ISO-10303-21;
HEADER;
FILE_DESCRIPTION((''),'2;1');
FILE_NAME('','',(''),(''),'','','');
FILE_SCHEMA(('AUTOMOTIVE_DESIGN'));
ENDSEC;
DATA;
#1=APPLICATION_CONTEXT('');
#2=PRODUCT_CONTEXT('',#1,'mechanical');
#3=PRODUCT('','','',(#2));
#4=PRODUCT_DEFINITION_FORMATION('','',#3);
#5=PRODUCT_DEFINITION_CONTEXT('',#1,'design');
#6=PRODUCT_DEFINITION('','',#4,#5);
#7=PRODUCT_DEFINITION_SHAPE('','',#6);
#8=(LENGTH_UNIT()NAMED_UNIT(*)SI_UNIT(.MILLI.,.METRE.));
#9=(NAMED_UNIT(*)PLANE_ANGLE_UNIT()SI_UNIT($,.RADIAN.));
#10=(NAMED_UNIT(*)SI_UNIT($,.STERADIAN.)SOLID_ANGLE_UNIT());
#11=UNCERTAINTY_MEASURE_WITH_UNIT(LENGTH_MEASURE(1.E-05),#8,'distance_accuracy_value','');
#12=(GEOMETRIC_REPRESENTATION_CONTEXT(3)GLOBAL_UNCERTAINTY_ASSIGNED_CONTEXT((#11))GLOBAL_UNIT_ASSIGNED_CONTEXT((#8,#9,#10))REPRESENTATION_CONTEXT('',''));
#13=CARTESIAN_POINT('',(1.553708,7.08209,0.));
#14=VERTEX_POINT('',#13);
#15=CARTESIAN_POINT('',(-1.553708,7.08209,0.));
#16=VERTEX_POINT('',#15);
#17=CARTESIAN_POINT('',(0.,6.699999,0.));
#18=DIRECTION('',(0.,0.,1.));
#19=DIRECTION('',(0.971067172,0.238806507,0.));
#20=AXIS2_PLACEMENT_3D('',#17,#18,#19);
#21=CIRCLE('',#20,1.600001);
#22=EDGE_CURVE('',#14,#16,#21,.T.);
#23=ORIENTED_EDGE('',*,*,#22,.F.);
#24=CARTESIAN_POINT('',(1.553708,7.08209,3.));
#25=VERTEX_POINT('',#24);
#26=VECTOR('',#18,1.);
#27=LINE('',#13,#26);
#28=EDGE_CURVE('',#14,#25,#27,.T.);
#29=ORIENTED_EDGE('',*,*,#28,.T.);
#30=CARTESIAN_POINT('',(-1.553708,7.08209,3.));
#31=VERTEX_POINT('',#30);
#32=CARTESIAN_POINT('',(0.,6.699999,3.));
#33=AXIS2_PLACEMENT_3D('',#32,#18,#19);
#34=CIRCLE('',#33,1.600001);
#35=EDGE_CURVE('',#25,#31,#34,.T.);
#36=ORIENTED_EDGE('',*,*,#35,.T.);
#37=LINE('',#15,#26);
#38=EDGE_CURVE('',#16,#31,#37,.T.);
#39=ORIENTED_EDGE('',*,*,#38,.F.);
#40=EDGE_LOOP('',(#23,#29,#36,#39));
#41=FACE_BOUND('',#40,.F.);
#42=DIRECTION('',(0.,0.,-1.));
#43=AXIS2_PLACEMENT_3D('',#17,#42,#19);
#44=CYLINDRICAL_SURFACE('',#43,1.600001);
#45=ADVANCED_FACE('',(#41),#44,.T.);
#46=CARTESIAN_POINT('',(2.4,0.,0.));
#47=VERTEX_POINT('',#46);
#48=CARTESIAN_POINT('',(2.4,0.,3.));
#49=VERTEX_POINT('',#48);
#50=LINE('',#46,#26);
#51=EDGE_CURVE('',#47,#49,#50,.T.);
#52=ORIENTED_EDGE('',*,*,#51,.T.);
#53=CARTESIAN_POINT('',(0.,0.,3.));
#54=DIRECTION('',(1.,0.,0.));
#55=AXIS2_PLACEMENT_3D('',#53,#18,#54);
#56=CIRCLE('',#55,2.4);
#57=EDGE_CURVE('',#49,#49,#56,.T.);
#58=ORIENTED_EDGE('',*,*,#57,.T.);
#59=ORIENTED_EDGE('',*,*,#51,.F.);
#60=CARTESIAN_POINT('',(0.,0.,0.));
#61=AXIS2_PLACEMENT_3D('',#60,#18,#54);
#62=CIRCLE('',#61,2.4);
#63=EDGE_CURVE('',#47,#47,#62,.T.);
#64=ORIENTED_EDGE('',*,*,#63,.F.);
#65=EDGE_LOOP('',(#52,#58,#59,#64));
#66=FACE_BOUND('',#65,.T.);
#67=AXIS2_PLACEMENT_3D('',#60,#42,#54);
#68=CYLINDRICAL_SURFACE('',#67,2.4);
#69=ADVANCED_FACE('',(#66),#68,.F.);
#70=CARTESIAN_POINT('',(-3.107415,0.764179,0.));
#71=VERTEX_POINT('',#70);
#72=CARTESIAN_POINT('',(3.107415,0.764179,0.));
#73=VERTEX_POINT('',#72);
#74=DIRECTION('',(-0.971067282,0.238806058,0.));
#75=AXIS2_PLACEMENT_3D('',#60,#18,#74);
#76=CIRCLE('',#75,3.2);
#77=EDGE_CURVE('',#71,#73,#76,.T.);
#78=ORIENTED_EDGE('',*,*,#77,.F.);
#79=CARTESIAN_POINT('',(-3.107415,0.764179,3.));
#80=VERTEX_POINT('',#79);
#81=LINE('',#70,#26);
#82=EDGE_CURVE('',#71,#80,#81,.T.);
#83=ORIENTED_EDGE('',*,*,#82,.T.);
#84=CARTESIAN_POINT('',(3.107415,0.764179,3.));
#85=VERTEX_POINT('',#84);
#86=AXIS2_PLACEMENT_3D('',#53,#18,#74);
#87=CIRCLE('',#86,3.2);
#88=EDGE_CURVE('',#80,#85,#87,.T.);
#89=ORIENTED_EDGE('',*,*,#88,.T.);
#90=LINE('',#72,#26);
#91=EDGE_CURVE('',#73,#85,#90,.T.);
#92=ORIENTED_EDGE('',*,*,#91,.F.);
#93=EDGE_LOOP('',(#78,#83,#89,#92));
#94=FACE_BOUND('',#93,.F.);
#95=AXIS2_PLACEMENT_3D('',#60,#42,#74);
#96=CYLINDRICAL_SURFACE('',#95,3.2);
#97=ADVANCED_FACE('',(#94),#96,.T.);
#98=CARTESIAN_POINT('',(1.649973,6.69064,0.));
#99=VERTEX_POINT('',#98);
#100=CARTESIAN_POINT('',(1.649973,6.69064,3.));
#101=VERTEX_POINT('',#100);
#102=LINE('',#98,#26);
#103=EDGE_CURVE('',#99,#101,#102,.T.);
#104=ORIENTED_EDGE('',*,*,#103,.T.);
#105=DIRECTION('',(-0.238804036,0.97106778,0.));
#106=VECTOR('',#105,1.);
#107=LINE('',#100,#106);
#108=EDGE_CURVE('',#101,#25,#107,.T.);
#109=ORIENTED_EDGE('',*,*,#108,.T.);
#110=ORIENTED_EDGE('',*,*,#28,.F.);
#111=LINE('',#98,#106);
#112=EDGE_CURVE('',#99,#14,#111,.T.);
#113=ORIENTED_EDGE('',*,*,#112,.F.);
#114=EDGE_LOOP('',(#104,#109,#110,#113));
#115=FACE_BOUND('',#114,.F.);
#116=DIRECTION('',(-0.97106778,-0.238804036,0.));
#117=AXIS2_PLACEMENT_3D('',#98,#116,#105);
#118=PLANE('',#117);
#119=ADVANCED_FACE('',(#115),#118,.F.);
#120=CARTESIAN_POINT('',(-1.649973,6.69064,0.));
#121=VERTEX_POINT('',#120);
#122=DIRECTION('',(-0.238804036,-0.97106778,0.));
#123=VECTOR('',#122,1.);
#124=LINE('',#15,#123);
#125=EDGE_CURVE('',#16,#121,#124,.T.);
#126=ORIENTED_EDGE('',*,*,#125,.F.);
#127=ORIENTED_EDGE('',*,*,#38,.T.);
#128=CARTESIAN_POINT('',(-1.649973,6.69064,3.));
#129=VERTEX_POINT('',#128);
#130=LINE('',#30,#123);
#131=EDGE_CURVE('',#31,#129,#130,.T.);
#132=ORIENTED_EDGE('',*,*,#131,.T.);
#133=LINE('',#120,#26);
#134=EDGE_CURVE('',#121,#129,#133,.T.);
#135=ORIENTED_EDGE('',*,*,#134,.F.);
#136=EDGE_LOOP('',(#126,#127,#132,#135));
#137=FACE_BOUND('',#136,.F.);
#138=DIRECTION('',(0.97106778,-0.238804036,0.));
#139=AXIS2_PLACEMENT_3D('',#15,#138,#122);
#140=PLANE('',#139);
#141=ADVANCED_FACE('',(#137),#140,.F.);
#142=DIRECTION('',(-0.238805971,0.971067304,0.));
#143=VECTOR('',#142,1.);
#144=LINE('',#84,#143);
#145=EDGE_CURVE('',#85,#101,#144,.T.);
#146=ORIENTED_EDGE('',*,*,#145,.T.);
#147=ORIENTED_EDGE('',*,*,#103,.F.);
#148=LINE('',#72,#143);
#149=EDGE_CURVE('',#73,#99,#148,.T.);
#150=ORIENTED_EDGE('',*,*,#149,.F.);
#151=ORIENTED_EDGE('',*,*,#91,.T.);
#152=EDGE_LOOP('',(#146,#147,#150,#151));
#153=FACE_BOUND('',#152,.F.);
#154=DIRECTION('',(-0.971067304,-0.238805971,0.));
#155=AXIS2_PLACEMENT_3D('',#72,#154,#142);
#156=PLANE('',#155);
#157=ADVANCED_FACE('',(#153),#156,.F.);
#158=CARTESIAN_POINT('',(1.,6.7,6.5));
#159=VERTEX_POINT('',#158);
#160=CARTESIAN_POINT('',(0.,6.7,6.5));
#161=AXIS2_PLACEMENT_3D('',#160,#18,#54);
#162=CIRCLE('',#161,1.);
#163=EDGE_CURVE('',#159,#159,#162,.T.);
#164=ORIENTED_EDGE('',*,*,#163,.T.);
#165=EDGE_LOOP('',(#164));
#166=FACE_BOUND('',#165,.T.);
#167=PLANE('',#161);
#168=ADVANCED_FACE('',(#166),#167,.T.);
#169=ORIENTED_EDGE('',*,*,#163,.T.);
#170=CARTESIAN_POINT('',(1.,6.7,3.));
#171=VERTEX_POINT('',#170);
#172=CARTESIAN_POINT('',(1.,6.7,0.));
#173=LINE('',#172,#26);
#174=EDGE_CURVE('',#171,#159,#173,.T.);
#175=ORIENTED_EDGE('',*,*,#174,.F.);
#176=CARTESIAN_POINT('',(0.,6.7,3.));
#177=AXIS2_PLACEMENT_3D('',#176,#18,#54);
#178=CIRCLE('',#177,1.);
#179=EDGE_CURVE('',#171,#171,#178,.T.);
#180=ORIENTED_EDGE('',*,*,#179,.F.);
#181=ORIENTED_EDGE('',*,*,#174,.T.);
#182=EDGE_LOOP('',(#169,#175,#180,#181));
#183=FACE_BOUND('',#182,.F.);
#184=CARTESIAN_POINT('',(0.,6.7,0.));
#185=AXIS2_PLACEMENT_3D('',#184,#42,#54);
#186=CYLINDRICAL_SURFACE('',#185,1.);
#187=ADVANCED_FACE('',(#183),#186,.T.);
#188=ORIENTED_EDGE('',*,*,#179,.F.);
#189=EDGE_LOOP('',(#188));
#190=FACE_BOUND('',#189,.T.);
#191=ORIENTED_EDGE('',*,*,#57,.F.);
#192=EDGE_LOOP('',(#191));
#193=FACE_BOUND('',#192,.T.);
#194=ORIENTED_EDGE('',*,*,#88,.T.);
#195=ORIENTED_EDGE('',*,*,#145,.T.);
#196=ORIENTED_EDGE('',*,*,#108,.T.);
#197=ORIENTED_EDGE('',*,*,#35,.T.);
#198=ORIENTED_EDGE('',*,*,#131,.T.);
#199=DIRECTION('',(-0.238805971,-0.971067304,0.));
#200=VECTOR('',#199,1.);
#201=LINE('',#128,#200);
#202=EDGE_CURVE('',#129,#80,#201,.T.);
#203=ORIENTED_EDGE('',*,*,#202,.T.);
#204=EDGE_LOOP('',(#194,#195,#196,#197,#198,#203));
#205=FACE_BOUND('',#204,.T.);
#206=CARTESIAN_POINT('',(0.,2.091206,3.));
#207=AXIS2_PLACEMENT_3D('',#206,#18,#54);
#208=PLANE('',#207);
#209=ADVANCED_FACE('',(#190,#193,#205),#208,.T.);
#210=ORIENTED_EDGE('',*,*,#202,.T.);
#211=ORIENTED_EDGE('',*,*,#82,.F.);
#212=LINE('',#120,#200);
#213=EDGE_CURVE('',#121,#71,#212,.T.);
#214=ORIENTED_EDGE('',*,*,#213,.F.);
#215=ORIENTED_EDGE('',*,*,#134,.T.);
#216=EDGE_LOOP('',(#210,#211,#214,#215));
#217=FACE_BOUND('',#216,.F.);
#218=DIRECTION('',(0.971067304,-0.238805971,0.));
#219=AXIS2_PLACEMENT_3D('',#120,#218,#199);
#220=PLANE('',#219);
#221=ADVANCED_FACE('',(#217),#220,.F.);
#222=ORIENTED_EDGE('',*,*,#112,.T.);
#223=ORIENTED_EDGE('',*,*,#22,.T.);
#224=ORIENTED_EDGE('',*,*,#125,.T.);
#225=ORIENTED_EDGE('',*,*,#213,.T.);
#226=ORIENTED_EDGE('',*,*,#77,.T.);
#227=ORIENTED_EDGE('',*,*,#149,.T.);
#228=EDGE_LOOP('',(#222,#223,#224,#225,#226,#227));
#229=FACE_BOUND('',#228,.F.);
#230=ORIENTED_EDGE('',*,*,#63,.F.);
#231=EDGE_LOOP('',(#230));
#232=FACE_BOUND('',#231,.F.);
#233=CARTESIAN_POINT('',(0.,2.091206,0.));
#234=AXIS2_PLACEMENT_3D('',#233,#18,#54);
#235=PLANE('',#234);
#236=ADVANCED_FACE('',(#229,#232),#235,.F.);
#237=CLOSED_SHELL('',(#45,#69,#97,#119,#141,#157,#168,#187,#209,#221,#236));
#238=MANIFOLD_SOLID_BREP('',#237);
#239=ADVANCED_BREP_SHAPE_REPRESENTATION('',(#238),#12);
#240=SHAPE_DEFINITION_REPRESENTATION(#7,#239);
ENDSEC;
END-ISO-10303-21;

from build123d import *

# Parameters (mm, degrees)
F0_R     = 2.4
F0_R_2   = 1
F1_DEPTH = 3
F2_DEPTH = 6.5


with BuildPart() as f1:
    # F0 (on Top) → F1 (new body)
    with BuildSketch(Plane.XY):
        with BuildLine():
            Line((3.107415, 0.764179), (1.649973, 6.69064))
            ThreePointArc((1.649973, 6.69064), (1.522604, 6.064251), (1.166726, 5.533274))
            Line((1.166726, 5.533274), (0.353553, 4.720101))
            ThreePointArc((0.353553, 4.720101), (0, 4.573654), (-0.353553, 4.720101))
            Line((-0.353553, 4.720101), (-1.166726, 5.533274))
            ThreePointArc((-1.166726, 5.533274), (-1.522604, 6.064251), (-1.649973, 6.69064))
            Line((-1.649973, 6.69064), (-3.107415, 0.764179))
            ThreePointArc((-3.107415, 0.764179), (0, -3.2), (3.107415, 0.764179))
        make_face()
        Circle(F0_R, mode=Mode.SUBTRACT)
        with BuildLine():
            Line((1.649973, 6.69064), (1.553708, 7.08209))
            ThreePointArc((1.553708, 7.08209), (0, 8.3), (-1.553708, 7.08209))
            Line((-1.553708, 7.08209), (-1.649973, 6.69064))
            ThreePointArc((-1.649973, 6.69064), (-1.522604, 6.064251), (-1.166726, 5.533274))
            Line((-1.166726, 5.533274), (-0.353553, 4.720101))
            ThreePointArc((-0.353553, 4.720101), (0, 4.573654), (0.353553, 4.720101))
            Line((0.353553, 4.720101), (1.166726, 5.533274))
            ThreePointArc((1.166726, 5.533274), (1.522604, 6.064251), (1.649973, 6.69064))
        make_face()
        with Locations((0, 6.7)):
            Circle(F0_R_2, mode=Mode.SUBTRACT)
    extrude(amount=F1_DEPTH)

    # F0 (on Top) → F2 (join)
    with BuildSketch(Plane.XY):
        with Locations((0, 6.7)):
            Circle(F0_R_2)
    extrude(amount=F2_DEPTH)


solid = f1.part
